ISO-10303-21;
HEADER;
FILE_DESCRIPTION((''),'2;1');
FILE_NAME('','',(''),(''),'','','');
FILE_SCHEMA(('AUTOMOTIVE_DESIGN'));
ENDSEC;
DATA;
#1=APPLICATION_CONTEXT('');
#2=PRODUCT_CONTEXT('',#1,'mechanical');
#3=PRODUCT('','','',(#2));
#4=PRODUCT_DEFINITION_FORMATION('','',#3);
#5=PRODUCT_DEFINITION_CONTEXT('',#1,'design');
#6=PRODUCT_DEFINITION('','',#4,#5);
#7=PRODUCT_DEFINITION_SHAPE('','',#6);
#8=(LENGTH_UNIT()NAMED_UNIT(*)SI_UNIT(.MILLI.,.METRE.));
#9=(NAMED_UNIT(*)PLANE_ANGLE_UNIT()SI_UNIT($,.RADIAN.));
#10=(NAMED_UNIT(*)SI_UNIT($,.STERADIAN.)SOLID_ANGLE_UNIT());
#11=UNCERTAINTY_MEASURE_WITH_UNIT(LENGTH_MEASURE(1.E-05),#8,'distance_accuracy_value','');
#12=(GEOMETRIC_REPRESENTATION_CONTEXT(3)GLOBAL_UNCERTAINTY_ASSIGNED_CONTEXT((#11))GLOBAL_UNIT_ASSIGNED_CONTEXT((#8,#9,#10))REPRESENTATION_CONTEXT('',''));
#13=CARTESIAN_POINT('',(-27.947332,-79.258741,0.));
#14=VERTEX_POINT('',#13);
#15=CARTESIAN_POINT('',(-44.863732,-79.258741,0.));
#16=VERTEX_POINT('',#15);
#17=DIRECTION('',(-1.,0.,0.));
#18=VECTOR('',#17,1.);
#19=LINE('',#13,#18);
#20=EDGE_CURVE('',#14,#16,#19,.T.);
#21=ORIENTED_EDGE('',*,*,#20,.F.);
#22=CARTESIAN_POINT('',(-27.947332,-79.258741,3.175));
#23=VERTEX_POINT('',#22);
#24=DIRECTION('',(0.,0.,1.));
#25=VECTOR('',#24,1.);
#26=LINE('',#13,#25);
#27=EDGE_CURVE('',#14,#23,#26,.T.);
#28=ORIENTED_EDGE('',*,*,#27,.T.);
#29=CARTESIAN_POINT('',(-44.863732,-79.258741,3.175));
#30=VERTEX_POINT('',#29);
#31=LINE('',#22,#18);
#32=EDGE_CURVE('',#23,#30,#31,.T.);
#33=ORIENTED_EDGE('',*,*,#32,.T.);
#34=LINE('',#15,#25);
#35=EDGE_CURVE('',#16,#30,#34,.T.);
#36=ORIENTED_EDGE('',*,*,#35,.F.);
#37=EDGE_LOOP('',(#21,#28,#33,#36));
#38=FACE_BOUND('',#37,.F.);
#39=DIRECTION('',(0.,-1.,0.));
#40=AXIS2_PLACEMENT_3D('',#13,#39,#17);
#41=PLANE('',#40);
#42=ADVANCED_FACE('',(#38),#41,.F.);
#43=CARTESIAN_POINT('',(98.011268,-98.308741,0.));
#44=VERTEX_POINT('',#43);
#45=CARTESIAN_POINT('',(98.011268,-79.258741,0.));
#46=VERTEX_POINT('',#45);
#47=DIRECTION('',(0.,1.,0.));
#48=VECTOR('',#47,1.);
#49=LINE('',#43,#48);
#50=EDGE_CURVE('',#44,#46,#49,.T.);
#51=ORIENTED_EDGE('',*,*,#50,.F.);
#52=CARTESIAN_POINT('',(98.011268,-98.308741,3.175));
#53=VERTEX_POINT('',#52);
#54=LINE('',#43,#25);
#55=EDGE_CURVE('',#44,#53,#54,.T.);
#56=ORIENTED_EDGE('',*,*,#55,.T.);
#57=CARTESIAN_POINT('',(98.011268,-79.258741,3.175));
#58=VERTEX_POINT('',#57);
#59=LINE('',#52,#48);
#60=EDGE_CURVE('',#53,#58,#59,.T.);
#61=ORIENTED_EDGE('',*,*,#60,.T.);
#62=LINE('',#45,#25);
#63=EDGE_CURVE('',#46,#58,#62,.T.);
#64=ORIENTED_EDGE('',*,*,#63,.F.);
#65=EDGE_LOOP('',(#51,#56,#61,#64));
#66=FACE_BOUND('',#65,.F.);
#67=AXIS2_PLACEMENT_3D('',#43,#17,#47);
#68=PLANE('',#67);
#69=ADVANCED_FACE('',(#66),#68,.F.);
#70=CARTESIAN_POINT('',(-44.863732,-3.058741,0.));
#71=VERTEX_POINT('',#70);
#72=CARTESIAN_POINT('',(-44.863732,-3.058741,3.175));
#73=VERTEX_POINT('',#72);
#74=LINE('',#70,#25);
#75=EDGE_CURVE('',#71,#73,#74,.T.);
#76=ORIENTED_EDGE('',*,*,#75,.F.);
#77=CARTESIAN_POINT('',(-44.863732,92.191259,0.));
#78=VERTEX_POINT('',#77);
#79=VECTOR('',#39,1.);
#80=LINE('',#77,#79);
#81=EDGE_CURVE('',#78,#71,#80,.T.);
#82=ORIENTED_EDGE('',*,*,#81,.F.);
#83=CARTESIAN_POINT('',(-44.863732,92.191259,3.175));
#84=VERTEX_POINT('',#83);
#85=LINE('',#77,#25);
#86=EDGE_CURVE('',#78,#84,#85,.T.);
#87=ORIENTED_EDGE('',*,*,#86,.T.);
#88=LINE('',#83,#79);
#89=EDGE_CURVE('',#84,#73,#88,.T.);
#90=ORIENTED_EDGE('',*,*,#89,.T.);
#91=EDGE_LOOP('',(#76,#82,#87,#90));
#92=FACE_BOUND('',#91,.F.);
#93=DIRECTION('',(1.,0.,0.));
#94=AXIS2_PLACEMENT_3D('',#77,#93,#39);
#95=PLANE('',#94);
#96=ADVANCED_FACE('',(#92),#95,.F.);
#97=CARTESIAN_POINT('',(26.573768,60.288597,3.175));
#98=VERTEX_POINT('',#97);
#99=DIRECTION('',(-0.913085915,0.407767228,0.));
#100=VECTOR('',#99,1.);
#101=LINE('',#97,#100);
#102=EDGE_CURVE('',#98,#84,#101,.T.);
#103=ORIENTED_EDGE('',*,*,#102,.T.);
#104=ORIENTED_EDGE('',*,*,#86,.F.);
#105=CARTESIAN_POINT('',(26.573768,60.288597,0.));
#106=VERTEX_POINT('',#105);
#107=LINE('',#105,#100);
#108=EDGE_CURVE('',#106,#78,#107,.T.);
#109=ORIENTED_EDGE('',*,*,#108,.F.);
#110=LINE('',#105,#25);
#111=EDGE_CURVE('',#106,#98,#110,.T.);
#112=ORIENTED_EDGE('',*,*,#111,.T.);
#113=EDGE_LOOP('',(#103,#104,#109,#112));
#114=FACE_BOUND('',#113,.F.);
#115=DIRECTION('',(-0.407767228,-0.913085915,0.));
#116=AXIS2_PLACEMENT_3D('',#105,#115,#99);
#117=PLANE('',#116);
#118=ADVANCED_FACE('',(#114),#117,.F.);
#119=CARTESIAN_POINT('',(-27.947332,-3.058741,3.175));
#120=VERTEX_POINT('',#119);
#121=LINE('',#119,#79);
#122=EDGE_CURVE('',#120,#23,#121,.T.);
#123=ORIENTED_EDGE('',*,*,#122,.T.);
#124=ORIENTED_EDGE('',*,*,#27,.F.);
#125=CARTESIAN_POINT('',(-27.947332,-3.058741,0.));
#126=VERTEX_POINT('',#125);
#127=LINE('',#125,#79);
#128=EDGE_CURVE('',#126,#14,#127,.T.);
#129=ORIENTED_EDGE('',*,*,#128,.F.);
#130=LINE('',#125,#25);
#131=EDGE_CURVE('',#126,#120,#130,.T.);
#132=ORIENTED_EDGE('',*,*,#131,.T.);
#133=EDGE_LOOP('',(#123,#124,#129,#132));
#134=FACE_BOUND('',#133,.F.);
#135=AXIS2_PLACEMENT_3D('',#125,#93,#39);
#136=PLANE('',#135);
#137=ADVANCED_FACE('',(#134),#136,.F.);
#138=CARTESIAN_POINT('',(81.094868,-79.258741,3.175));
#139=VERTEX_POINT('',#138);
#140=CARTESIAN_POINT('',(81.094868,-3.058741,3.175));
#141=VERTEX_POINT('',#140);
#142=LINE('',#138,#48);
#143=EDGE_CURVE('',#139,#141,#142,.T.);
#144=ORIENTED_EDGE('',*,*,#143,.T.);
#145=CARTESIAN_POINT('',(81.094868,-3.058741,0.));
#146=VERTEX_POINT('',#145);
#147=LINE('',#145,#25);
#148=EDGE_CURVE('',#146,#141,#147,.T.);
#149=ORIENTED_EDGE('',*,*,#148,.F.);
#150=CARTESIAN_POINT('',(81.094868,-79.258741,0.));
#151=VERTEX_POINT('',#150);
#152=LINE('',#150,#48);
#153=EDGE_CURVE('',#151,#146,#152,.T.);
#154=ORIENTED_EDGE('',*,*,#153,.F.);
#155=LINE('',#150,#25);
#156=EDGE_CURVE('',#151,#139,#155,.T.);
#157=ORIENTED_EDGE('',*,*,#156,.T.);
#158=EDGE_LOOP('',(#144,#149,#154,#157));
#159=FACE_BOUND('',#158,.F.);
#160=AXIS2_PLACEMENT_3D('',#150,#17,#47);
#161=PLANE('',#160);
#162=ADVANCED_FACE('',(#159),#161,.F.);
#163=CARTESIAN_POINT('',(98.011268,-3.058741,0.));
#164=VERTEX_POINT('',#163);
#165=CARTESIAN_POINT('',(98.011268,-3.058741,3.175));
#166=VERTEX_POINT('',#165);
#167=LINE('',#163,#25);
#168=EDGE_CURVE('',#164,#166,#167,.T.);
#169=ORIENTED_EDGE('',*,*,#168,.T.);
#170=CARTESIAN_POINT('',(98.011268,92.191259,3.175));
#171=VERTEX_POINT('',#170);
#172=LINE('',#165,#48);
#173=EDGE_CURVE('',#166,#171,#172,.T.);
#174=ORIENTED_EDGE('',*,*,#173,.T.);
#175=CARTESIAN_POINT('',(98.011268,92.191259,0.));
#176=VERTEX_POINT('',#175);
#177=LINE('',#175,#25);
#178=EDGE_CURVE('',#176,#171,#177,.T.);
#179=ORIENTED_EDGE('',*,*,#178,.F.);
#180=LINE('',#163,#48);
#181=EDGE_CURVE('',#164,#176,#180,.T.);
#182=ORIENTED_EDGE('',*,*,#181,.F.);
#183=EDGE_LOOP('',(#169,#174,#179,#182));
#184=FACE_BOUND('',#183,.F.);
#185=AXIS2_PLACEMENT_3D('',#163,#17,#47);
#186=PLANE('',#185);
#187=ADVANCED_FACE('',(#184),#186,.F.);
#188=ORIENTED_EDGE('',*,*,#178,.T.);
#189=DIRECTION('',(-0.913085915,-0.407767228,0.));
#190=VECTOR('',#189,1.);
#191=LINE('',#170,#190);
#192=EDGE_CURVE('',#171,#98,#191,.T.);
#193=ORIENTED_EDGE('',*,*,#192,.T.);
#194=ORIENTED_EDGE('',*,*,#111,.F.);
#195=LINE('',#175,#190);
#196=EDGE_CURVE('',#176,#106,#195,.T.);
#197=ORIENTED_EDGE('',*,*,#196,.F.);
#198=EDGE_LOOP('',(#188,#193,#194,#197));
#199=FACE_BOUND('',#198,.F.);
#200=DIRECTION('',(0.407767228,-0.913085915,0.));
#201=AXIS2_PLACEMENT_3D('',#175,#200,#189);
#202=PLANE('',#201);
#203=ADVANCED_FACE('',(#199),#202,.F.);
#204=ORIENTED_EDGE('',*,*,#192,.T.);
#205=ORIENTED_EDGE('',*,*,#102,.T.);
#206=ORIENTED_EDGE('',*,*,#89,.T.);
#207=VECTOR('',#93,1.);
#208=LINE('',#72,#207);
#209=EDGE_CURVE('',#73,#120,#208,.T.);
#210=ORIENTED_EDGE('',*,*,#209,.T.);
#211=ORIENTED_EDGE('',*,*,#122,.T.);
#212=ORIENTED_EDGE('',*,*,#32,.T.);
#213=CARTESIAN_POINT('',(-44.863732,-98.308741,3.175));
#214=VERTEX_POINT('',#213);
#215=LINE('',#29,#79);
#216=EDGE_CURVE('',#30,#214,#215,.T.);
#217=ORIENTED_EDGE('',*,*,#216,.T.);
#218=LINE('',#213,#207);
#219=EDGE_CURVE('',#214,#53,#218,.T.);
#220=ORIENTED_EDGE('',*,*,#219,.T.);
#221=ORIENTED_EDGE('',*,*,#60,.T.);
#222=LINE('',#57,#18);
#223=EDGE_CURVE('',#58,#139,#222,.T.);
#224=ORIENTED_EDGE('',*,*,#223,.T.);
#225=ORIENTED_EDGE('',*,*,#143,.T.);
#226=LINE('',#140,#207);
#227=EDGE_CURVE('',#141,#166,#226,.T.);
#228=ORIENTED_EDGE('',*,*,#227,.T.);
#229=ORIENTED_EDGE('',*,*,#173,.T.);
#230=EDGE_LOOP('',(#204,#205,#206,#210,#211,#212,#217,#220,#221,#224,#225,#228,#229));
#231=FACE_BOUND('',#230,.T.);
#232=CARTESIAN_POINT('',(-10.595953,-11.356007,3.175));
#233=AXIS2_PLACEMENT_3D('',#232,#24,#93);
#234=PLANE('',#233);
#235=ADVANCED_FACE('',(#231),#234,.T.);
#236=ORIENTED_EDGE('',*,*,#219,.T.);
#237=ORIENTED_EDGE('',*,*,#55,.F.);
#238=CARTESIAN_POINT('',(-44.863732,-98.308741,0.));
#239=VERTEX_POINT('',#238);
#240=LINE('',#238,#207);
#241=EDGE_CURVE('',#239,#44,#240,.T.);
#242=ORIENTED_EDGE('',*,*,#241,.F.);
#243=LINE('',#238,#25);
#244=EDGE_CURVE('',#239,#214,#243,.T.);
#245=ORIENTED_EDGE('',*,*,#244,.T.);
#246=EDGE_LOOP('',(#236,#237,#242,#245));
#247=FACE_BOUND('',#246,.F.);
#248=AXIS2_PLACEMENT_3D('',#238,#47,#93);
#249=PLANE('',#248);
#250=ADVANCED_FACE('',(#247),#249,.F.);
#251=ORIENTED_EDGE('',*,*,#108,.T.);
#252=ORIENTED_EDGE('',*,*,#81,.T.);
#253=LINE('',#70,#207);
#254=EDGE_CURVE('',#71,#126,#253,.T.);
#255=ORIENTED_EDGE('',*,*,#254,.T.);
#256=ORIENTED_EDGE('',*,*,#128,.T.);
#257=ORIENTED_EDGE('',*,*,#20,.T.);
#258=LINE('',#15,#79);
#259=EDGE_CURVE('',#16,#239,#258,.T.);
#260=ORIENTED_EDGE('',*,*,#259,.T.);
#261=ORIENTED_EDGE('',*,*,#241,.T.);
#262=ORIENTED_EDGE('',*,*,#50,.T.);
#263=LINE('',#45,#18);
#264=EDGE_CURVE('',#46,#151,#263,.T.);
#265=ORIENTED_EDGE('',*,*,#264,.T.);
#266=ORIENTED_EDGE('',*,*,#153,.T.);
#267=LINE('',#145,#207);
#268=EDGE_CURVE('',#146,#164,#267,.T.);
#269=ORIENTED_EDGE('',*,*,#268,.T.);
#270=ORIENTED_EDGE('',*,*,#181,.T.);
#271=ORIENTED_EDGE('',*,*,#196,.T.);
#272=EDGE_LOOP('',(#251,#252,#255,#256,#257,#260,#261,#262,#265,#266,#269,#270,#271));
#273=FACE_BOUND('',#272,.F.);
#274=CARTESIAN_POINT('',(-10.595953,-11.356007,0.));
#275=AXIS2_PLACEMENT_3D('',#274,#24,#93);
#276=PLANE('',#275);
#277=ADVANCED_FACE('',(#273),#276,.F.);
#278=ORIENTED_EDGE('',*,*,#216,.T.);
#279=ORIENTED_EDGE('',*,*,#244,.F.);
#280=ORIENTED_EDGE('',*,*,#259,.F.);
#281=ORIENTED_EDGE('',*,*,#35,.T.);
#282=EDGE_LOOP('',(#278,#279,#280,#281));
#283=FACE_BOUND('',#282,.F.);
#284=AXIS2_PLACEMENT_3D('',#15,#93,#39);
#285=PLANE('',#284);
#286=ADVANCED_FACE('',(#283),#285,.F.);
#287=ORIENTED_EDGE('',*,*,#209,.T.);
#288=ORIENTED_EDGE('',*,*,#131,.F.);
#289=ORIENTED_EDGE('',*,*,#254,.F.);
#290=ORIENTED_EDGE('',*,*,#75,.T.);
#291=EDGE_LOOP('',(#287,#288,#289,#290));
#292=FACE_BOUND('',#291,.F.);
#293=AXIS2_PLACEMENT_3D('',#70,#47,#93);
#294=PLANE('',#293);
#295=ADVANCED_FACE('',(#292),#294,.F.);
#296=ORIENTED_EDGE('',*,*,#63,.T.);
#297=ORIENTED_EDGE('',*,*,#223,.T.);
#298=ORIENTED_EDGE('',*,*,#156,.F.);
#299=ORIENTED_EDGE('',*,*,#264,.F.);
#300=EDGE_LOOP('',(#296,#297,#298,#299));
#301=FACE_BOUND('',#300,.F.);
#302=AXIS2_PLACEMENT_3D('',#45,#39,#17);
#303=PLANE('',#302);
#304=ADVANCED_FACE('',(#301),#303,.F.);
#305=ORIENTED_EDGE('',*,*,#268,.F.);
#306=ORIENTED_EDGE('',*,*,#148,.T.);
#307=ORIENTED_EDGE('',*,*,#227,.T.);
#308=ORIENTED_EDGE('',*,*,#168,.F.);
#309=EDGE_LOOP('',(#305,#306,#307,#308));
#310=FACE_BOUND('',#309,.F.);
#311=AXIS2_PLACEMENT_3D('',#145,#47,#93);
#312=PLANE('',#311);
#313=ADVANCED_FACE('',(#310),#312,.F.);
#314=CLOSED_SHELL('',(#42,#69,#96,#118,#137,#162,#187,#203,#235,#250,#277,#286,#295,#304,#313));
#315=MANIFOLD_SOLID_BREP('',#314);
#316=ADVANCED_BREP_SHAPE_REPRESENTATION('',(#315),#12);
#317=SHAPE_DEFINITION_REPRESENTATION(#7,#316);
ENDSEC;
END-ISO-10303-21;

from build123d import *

# Parameters (mm, degrees)
F1_DEPTH = 3.175


with BuildPart() as f1:
    # F0 (on Top) → F1 (new body)
    with BuildSketch(Plane.XY):
        Polygon((-44.863732, -79.258741), (-44.863732, -98.308741), (26.573768, -98.308741), (26.573768, 60.288597), (-44.863732, 92.191259), (-44.863732, -3.058741), (-27.947332, -3.058741), (-27.947332, -79.258741), align=None)
        Polygon((26.573768, 60.288597), (26.573768, -98.308741), (98.011268, -98.308741), (98.011268, -79.258741), (81.094868, -79.258741), (81.094868, -3.058741), (98.011268, -3.058741), (98.011268, 92.191259), align=None)
    extrude(amount=F1_DEPTH)


solid = f1.part
